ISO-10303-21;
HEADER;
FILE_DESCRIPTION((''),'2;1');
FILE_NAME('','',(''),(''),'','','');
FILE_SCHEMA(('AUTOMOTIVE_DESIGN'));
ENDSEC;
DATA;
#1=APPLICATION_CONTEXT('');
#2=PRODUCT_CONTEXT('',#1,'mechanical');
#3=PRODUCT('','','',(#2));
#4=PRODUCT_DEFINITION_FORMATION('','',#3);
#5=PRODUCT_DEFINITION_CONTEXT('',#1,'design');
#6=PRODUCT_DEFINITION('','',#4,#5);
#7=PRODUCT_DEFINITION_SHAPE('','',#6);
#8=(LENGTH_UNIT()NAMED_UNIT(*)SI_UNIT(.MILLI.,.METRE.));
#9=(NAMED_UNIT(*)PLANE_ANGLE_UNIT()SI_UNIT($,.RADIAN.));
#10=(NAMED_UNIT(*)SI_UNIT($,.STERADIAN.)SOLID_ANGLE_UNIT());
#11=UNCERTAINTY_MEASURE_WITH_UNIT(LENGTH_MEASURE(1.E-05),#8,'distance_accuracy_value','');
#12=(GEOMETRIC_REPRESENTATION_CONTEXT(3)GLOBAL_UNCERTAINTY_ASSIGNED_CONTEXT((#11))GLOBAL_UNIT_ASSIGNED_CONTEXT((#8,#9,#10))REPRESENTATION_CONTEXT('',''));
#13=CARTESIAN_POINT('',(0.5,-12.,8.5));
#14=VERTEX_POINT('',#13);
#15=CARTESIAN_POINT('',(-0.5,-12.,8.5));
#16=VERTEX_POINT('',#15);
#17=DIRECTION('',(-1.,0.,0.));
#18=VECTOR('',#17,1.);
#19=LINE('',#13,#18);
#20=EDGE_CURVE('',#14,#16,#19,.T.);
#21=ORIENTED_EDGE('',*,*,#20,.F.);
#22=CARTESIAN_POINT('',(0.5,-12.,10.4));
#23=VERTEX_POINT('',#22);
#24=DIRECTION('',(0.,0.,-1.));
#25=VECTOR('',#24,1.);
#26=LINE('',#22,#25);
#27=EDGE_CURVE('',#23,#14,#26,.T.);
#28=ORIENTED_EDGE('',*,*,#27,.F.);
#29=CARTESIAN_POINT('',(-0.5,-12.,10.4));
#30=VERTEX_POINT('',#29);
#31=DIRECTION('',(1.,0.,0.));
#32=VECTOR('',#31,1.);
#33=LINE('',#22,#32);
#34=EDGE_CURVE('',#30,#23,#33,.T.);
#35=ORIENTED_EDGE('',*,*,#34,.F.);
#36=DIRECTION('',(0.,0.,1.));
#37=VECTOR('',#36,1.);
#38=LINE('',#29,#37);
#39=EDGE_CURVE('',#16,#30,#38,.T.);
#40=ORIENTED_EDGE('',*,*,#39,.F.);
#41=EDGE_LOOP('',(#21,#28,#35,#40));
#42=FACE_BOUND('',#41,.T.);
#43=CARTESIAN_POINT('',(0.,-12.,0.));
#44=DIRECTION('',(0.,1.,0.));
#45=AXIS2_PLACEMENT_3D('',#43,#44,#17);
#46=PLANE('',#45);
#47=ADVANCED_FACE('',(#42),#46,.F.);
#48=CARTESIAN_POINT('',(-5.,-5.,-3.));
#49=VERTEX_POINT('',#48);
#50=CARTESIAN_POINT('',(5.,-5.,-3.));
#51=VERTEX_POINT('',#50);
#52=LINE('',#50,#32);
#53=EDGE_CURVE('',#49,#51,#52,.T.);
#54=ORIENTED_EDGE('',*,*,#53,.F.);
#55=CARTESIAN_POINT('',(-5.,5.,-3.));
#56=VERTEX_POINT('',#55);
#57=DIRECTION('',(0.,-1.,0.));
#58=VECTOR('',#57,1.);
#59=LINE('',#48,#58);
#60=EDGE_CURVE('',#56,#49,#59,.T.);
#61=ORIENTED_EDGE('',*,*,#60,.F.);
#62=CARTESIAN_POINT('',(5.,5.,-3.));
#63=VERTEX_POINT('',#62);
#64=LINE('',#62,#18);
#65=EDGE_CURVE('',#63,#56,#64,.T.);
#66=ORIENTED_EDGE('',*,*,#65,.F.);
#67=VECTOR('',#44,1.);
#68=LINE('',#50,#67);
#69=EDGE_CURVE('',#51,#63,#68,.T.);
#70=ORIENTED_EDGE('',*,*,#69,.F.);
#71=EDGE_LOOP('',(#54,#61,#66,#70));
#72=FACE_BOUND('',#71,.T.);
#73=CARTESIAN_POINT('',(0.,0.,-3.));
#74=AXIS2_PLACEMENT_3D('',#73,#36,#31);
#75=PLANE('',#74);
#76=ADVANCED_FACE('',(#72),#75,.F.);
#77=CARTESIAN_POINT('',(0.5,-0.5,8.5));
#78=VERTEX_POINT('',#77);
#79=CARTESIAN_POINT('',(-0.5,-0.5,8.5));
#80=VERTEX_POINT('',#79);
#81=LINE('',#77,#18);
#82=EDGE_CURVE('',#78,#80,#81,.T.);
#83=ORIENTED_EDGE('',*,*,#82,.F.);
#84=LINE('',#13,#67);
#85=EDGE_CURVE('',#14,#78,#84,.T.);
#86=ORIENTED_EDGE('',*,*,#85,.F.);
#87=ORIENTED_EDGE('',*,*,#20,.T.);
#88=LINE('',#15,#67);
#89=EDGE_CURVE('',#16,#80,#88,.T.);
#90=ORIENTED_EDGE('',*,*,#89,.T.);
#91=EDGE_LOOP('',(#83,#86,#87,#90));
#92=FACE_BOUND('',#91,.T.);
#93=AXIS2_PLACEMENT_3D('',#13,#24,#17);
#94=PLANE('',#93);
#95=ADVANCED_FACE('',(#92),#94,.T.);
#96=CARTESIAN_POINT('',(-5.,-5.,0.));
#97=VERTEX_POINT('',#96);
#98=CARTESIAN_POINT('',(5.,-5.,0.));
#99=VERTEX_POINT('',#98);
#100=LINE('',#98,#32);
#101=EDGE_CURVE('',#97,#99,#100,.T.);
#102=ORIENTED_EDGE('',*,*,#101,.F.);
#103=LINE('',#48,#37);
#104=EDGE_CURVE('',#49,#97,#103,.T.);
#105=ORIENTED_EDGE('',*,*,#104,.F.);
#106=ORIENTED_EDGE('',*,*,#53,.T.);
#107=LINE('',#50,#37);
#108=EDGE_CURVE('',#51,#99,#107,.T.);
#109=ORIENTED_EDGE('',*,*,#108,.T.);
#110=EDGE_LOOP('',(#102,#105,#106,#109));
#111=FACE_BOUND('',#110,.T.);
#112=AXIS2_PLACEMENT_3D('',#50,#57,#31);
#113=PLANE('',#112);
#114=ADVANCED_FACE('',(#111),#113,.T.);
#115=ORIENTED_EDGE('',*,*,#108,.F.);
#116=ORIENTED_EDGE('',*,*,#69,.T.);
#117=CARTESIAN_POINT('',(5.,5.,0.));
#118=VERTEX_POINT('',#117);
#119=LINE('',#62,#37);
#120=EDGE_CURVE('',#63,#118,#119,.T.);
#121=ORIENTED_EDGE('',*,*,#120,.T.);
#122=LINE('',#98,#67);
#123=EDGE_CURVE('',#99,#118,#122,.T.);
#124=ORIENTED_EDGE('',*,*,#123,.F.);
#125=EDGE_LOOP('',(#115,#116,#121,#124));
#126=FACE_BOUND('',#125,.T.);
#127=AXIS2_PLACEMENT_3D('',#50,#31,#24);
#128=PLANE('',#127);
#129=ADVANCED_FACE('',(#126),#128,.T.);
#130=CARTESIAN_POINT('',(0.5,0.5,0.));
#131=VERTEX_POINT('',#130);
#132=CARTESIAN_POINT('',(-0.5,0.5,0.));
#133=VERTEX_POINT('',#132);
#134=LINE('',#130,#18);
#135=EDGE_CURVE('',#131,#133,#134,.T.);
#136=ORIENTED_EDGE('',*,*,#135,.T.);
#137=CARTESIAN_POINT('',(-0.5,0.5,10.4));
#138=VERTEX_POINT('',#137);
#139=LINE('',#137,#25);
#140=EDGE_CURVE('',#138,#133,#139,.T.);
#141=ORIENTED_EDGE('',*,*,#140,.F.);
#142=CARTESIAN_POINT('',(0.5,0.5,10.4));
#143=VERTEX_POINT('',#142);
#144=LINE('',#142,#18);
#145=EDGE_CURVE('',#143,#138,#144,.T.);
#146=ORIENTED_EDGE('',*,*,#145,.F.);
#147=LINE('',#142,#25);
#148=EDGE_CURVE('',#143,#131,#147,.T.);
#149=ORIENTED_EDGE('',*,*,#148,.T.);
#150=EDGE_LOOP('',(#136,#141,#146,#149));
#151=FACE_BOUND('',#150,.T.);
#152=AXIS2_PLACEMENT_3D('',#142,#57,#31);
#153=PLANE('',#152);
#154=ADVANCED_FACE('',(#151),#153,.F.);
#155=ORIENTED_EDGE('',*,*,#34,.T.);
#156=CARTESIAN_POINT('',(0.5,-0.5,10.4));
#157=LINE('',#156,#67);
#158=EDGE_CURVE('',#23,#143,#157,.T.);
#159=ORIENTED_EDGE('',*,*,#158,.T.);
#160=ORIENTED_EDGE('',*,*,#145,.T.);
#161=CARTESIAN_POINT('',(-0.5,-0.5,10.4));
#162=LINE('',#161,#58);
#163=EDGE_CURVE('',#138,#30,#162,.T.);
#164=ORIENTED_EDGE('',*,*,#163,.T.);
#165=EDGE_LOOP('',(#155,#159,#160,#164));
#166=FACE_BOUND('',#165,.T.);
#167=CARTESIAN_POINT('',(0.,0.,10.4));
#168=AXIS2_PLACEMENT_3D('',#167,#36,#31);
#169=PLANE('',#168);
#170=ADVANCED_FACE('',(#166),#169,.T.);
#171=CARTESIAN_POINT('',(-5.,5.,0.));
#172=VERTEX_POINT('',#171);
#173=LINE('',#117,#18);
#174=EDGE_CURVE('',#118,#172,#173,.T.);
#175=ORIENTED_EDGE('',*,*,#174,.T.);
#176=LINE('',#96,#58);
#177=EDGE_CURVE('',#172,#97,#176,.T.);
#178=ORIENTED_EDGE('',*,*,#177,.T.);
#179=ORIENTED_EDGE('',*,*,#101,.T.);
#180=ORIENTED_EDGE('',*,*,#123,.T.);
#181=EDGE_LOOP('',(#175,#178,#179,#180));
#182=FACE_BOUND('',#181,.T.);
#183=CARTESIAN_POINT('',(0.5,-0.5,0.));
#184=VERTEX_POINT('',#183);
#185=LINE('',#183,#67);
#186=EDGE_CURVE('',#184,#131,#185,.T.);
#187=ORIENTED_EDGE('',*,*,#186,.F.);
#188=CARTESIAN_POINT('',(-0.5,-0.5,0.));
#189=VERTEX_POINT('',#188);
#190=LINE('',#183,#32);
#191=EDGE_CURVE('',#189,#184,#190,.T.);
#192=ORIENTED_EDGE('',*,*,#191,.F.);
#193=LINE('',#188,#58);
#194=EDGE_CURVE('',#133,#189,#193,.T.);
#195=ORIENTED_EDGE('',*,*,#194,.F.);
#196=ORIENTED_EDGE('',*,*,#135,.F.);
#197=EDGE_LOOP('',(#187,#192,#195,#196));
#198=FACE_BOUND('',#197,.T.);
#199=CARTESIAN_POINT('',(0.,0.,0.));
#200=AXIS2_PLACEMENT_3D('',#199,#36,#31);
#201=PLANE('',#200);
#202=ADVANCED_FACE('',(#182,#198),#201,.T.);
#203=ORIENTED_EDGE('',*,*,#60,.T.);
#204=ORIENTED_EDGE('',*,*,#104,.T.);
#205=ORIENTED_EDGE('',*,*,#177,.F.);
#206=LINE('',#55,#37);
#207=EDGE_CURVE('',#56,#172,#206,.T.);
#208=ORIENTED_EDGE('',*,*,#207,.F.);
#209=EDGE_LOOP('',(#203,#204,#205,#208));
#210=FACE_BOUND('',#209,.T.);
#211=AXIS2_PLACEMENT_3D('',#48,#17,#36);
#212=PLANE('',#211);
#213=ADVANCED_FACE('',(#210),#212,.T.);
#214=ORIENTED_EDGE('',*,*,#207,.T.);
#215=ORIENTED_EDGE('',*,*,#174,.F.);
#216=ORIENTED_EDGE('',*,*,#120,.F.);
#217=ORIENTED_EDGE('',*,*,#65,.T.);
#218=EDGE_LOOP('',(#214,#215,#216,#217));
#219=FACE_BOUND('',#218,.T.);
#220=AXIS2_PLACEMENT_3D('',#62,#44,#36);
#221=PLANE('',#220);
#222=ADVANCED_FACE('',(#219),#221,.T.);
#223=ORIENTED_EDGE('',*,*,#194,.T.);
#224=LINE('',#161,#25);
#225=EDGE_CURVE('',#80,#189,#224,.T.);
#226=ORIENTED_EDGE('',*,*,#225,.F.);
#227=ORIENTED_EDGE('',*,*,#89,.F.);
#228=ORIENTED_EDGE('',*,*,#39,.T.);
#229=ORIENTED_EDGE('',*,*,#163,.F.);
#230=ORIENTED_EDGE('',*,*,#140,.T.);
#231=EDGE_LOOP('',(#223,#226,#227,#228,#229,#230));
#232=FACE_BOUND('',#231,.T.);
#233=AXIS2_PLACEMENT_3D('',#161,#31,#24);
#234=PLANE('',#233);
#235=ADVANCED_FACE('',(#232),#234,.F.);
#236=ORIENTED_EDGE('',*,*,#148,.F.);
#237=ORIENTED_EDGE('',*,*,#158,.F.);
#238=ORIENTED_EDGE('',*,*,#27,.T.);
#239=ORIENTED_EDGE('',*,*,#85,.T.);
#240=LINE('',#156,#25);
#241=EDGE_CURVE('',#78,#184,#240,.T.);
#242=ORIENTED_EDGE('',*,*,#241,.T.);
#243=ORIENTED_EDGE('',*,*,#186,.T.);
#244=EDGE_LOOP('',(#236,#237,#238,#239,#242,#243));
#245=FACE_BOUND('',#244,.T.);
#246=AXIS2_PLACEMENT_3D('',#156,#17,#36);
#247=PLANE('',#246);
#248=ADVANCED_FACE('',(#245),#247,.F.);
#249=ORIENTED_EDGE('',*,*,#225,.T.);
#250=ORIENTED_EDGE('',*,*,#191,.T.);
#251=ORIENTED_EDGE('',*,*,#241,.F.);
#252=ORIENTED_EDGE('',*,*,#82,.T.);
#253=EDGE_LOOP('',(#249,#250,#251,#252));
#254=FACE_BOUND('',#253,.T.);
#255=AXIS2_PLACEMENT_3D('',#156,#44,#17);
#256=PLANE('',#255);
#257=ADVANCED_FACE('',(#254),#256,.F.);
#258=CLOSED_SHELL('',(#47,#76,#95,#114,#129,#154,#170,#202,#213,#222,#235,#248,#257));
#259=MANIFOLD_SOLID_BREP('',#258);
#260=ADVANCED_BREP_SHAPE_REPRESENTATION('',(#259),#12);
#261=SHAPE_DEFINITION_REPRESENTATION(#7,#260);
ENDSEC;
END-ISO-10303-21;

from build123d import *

# Parameters (mm, degrees)
SKETCH1_W           = 10
SKETCH1_H           = 10
BOSS_EXTRUDE3_DEPTH = 3
SKETCH5_W           = 1
SKETCH5_H           = 1
BOSS_EXTRUDE4_DEPTH = 10.4
SKETCH6_W           = 1
SKETCH6_H           = 1.9
BOSS_EXTRUDE5_DEPTH = 12.5


with BuildPart() as part:
    # Sketch1 → Boss-Extrude3 (new body)
    with BuildSketch(Plane.XY):
        Rectangle(SKETCH1_W, SKETCH1_H)
    extrude(amount=-BOSS_EXTRUDE3_DEPTH)

    # Sketch5 → Boss-Extrude4 (add)
    with BuildSketch(Plane.XY):
        Rectangle(SKETCH5_W, SKETCH5_H)
    extrude(amount=BOSS_EXTRUDE4_DEPTH)

    # Sketch6 → Boss-Extrude5 (add)
    with BuildSketch(Plane(origin=(0, 0.5, 0), x_dir=(1, 0, 0), z_dir=(0, 1, 0))):
        with Locations((0, -9.45)):
            Rectangle(SKETCH6_W, SKETCH6_H)
    extrude(amount=-BOSS_EXTRUDE5_DEPTH)


solid = part.part
